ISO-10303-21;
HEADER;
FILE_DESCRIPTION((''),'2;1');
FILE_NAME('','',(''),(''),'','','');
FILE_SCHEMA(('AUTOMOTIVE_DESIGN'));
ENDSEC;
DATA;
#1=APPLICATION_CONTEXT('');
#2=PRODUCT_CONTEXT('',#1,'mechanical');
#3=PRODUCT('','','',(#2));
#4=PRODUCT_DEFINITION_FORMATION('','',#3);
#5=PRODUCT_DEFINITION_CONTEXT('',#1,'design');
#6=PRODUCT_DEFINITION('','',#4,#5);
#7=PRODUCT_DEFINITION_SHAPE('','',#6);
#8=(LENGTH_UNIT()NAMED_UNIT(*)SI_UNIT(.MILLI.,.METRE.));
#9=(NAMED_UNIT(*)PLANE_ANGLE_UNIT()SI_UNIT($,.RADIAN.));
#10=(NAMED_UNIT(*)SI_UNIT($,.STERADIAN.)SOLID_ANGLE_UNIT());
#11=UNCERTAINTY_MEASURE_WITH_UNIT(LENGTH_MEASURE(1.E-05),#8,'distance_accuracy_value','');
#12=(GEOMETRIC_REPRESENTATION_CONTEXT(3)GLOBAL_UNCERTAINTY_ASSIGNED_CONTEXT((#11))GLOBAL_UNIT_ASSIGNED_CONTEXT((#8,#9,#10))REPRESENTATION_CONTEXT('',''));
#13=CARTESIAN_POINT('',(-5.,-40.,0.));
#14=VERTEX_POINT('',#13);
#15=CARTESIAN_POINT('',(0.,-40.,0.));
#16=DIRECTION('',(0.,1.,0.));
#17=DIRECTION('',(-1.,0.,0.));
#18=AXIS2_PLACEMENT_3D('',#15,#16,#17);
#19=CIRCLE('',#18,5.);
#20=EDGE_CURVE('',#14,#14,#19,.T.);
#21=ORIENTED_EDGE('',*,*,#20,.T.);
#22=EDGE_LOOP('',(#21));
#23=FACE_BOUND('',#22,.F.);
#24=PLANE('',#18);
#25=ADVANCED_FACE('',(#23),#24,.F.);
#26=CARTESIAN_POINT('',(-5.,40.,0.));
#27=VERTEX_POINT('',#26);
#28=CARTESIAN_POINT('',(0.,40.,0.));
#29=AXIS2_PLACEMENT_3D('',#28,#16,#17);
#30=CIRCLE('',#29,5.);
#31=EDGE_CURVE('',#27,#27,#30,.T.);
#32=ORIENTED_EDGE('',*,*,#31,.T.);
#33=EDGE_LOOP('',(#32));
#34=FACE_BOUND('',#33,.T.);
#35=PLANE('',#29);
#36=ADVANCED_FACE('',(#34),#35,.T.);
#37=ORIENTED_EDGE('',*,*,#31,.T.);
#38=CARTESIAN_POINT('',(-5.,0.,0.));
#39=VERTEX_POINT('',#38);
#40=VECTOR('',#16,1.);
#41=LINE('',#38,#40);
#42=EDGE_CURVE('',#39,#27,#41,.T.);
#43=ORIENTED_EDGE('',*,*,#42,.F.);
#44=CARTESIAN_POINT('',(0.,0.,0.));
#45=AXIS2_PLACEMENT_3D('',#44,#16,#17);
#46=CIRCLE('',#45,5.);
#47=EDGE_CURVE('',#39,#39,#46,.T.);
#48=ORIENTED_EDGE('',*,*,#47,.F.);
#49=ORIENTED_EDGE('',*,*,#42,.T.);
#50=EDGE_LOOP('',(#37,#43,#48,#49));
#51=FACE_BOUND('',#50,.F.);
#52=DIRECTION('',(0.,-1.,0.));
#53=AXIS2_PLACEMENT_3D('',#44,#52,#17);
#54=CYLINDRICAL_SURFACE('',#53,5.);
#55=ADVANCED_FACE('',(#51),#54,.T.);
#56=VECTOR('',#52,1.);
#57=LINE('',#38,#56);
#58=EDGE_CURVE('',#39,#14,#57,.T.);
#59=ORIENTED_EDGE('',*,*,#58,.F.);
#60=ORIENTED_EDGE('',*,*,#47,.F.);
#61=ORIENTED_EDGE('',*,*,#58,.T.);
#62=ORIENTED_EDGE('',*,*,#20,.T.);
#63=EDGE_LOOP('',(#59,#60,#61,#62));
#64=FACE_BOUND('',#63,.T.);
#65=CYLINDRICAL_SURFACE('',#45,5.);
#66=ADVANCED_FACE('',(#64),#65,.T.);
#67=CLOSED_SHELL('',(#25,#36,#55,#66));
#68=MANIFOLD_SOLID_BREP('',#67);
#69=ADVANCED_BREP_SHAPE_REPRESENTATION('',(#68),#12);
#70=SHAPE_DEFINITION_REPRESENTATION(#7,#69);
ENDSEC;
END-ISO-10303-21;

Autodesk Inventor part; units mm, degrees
ref_plane "YZ Plane" through (0, 0, 0) normal (1, 0, 0) x (0, 1, 0)
ref_plane "XZ Plane" through (0, 0, 0) normal (0, 1, 0) x (-1, 0, 0)
ref_plane "XY Plane" through (0, 0, 0) normal (0, 0, 1) x (1, 0, 0)
sketch "Sketch1" plane through (0, 0, 0) normal (0, 1, 0) x (-1, 0, 0)
  circle A0 centre (0, 0) radius 5
  dimension "d0" = 10
extrude "Extrusion1" add sketch "Sketch1" along normal mid plane 80
properties part number "Shaft"
